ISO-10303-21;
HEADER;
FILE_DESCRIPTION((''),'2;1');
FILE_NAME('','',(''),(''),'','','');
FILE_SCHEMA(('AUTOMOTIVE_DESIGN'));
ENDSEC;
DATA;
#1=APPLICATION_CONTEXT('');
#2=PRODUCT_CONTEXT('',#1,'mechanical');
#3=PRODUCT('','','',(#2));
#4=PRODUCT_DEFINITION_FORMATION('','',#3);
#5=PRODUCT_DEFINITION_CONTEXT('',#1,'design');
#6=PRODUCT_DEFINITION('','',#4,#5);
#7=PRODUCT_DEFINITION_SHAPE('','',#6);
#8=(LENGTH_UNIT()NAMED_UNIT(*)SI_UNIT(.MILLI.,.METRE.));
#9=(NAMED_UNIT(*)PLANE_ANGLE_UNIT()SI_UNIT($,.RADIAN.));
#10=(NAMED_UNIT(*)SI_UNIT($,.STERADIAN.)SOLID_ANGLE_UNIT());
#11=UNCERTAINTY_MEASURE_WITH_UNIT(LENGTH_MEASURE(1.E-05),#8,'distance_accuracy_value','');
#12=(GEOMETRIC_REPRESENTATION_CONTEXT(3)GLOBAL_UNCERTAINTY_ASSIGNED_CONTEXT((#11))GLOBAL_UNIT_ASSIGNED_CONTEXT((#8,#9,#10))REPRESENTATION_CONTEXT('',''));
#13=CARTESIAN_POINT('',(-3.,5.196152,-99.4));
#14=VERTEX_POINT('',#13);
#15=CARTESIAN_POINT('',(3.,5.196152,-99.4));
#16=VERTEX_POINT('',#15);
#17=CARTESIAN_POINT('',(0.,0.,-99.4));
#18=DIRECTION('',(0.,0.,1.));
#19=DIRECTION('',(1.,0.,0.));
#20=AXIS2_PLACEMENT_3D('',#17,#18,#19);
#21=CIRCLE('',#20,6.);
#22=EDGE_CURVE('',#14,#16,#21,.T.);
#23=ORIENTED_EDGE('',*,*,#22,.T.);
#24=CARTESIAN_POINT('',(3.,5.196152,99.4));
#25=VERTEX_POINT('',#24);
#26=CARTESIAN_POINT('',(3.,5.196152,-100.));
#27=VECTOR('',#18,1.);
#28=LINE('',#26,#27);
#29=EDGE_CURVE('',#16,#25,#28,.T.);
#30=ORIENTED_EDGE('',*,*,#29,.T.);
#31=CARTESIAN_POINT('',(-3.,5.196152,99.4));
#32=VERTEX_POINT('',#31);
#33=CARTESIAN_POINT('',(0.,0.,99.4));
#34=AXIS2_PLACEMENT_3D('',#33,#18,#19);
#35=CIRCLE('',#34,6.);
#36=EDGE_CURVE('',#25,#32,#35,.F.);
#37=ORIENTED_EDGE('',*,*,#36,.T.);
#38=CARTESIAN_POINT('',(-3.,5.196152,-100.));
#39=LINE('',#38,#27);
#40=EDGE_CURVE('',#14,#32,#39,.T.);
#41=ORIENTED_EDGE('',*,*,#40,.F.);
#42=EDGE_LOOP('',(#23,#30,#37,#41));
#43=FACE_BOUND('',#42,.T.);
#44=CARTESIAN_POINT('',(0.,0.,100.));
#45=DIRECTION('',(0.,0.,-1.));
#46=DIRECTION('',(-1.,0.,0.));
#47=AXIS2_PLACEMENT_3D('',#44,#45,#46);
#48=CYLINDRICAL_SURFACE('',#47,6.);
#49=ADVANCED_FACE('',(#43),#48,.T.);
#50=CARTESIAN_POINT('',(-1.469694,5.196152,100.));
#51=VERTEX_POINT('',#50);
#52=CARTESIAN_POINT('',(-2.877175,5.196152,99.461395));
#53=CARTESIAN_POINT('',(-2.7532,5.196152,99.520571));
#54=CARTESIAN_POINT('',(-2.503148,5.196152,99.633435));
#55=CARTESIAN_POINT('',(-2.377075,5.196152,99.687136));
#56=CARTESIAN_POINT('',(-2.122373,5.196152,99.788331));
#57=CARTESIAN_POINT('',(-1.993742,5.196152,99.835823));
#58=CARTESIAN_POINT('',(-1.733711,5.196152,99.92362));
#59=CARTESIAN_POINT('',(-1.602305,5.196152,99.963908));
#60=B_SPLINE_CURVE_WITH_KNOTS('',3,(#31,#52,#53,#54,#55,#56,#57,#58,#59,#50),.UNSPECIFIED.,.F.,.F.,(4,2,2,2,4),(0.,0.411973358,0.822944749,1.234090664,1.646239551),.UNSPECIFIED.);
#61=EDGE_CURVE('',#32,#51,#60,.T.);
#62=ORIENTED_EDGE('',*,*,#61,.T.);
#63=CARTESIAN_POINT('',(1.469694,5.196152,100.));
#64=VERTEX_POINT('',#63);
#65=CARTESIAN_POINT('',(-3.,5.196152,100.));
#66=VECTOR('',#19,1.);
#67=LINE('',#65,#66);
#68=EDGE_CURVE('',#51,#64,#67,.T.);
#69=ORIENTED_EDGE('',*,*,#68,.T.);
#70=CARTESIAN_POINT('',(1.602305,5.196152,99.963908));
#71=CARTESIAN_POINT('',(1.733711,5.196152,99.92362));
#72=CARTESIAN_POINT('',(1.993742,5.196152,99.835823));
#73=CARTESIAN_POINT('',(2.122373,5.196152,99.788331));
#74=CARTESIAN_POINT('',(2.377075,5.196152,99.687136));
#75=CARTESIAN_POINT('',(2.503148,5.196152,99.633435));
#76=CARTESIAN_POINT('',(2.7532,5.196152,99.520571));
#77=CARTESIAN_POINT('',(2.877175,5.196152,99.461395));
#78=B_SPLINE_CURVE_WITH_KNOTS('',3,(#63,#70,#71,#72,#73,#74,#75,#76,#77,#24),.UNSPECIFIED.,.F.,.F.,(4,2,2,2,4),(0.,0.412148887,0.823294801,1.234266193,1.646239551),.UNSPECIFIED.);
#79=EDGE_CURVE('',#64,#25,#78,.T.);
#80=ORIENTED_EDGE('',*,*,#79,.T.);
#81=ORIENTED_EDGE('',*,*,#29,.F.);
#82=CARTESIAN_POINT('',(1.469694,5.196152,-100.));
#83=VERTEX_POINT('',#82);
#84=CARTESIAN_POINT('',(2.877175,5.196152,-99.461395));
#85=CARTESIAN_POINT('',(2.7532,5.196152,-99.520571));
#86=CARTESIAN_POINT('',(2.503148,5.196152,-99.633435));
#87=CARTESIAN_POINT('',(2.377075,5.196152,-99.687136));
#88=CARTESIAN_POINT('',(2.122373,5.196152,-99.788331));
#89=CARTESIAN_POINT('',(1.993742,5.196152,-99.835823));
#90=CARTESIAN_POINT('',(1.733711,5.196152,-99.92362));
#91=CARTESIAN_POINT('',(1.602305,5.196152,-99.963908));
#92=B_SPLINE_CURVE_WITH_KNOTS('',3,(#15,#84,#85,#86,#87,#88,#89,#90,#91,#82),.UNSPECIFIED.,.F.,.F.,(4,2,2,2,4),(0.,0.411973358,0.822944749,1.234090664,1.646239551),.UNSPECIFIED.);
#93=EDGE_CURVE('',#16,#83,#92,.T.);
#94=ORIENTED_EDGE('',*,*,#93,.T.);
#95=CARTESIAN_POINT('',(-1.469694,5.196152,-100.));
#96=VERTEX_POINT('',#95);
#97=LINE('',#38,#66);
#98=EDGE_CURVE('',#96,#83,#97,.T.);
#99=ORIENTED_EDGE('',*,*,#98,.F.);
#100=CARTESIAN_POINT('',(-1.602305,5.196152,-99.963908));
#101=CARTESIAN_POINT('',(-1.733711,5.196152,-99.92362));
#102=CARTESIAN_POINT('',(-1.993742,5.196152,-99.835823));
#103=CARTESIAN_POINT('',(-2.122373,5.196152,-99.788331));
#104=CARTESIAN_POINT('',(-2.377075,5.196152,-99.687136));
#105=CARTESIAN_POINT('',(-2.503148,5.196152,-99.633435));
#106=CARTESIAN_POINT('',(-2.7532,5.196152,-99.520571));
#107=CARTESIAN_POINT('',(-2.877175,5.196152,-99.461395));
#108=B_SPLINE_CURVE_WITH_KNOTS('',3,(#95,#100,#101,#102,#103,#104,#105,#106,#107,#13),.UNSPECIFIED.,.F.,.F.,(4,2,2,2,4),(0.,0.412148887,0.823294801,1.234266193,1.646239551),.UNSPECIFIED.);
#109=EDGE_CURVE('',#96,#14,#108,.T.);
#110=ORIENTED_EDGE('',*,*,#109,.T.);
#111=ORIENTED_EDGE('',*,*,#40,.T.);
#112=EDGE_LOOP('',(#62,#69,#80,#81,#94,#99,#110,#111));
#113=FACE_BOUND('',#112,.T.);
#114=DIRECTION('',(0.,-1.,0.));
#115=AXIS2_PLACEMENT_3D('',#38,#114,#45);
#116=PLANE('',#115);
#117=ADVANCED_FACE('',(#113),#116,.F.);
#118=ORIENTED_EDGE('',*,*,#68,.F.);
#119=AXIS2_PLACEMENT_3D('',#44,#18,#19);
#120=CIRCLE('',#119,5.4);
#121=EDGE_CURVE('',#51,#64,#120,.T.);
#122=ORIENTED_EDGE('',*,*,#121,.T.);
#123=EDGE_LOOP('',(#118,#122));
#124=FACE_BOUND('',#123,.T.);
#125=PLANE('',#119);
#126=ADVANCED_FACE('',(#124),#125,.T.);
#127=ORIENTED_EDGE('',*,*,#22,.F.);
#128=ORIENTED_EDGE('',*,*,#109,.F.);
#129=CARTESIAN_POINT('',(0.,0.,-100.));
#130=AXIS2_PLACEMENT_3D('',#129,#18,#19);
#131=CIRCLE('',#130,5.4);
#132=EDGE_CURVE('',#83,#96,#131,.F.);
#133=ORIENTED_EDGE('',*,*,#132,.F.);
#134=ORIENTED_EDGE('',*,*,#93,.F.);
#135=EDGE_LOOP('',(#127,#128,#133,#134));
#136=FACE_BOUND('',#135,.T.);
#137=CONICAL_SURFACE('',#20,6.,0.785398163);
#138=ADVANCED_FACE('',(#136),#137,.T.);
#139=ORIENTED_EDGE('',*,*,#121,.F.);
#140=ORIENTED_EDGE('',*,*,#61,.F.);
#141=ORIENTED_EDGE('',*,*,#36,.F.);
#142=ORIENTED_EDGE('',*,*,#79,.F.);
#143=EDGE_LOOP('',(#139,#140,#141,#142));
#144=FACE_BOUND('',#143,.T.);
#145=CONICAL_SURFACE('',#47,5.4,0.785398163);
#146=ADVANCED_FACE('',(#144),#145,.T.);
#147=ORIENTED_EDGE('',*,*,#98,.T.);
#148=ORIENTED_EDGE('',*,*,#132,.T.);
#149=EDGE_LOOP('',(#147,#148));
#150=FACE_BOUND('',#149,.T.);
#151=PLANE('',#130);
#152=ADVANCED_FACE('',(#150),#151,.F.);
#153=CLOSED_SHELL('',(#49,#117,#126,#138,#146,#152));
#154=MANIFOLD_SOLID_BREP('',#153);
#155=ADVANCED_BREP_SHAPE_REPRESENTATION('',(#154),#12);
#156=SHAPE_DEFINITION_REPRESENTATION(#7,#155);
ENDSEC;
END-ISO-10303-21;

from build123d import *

# Parameters (mm, degrees)
SKETCH3_R                = 6
BOSS_EXTRUDE2_DEPTH      = 100
BOSS_EXTRUDE2_DEPTH_BACK = 100
CUT_EXTRUDE5_DEPTH       = 101
CUT_EXTRUDE5_DEPTH_BACK  = 101
CHAMFER1_SIZE            = 0.6


with BuildPart() as part:
    # Sketch3 → Boss-Extrude2 (new body, two sides)
    with BuildSketch(Plane.XY) as boss_extrude2_sk:
        Circle(SKETCH3_R)
    extrude(amount=BOSS_EXTRUDE2_DEPTH)
    extrude(boss_extrude2_sk.sketch, amount=-BOSS_EXTRUDE2_DEPTH_BACK)

    # Sketch10 → Cut-Extrude5 (cut, two sides)
    with BuildSketch(Plane.XY) as cut_extrude5_sk:
        with BuildLine():
            Line((-3, 5.196152423), (3, 5.196152423))
            ThreePointArc((3, 5.196152423), (0, 6), (-3, 5.196152423))
        make_face()
    extrude(amount=CUT_EXTRUDE5_DEPTH, mode=Mode.SUBTRACT)
    extrude(cut_extrude5_sk.sketch, amount=-CUT_EXTRUDE5_DEPTH_BACK, mode=Mode.SUBTRACT)

    # Chamfer1
    chamfer1_edges = [part.edges().sort_by_distance(p)[0] for p in [
        (0, -6, -100),
        (0, -6, 100),
    ]]
    chamfer(chamfer1_edges, length=CHAMFER1_SIZE)


solid = part.part
